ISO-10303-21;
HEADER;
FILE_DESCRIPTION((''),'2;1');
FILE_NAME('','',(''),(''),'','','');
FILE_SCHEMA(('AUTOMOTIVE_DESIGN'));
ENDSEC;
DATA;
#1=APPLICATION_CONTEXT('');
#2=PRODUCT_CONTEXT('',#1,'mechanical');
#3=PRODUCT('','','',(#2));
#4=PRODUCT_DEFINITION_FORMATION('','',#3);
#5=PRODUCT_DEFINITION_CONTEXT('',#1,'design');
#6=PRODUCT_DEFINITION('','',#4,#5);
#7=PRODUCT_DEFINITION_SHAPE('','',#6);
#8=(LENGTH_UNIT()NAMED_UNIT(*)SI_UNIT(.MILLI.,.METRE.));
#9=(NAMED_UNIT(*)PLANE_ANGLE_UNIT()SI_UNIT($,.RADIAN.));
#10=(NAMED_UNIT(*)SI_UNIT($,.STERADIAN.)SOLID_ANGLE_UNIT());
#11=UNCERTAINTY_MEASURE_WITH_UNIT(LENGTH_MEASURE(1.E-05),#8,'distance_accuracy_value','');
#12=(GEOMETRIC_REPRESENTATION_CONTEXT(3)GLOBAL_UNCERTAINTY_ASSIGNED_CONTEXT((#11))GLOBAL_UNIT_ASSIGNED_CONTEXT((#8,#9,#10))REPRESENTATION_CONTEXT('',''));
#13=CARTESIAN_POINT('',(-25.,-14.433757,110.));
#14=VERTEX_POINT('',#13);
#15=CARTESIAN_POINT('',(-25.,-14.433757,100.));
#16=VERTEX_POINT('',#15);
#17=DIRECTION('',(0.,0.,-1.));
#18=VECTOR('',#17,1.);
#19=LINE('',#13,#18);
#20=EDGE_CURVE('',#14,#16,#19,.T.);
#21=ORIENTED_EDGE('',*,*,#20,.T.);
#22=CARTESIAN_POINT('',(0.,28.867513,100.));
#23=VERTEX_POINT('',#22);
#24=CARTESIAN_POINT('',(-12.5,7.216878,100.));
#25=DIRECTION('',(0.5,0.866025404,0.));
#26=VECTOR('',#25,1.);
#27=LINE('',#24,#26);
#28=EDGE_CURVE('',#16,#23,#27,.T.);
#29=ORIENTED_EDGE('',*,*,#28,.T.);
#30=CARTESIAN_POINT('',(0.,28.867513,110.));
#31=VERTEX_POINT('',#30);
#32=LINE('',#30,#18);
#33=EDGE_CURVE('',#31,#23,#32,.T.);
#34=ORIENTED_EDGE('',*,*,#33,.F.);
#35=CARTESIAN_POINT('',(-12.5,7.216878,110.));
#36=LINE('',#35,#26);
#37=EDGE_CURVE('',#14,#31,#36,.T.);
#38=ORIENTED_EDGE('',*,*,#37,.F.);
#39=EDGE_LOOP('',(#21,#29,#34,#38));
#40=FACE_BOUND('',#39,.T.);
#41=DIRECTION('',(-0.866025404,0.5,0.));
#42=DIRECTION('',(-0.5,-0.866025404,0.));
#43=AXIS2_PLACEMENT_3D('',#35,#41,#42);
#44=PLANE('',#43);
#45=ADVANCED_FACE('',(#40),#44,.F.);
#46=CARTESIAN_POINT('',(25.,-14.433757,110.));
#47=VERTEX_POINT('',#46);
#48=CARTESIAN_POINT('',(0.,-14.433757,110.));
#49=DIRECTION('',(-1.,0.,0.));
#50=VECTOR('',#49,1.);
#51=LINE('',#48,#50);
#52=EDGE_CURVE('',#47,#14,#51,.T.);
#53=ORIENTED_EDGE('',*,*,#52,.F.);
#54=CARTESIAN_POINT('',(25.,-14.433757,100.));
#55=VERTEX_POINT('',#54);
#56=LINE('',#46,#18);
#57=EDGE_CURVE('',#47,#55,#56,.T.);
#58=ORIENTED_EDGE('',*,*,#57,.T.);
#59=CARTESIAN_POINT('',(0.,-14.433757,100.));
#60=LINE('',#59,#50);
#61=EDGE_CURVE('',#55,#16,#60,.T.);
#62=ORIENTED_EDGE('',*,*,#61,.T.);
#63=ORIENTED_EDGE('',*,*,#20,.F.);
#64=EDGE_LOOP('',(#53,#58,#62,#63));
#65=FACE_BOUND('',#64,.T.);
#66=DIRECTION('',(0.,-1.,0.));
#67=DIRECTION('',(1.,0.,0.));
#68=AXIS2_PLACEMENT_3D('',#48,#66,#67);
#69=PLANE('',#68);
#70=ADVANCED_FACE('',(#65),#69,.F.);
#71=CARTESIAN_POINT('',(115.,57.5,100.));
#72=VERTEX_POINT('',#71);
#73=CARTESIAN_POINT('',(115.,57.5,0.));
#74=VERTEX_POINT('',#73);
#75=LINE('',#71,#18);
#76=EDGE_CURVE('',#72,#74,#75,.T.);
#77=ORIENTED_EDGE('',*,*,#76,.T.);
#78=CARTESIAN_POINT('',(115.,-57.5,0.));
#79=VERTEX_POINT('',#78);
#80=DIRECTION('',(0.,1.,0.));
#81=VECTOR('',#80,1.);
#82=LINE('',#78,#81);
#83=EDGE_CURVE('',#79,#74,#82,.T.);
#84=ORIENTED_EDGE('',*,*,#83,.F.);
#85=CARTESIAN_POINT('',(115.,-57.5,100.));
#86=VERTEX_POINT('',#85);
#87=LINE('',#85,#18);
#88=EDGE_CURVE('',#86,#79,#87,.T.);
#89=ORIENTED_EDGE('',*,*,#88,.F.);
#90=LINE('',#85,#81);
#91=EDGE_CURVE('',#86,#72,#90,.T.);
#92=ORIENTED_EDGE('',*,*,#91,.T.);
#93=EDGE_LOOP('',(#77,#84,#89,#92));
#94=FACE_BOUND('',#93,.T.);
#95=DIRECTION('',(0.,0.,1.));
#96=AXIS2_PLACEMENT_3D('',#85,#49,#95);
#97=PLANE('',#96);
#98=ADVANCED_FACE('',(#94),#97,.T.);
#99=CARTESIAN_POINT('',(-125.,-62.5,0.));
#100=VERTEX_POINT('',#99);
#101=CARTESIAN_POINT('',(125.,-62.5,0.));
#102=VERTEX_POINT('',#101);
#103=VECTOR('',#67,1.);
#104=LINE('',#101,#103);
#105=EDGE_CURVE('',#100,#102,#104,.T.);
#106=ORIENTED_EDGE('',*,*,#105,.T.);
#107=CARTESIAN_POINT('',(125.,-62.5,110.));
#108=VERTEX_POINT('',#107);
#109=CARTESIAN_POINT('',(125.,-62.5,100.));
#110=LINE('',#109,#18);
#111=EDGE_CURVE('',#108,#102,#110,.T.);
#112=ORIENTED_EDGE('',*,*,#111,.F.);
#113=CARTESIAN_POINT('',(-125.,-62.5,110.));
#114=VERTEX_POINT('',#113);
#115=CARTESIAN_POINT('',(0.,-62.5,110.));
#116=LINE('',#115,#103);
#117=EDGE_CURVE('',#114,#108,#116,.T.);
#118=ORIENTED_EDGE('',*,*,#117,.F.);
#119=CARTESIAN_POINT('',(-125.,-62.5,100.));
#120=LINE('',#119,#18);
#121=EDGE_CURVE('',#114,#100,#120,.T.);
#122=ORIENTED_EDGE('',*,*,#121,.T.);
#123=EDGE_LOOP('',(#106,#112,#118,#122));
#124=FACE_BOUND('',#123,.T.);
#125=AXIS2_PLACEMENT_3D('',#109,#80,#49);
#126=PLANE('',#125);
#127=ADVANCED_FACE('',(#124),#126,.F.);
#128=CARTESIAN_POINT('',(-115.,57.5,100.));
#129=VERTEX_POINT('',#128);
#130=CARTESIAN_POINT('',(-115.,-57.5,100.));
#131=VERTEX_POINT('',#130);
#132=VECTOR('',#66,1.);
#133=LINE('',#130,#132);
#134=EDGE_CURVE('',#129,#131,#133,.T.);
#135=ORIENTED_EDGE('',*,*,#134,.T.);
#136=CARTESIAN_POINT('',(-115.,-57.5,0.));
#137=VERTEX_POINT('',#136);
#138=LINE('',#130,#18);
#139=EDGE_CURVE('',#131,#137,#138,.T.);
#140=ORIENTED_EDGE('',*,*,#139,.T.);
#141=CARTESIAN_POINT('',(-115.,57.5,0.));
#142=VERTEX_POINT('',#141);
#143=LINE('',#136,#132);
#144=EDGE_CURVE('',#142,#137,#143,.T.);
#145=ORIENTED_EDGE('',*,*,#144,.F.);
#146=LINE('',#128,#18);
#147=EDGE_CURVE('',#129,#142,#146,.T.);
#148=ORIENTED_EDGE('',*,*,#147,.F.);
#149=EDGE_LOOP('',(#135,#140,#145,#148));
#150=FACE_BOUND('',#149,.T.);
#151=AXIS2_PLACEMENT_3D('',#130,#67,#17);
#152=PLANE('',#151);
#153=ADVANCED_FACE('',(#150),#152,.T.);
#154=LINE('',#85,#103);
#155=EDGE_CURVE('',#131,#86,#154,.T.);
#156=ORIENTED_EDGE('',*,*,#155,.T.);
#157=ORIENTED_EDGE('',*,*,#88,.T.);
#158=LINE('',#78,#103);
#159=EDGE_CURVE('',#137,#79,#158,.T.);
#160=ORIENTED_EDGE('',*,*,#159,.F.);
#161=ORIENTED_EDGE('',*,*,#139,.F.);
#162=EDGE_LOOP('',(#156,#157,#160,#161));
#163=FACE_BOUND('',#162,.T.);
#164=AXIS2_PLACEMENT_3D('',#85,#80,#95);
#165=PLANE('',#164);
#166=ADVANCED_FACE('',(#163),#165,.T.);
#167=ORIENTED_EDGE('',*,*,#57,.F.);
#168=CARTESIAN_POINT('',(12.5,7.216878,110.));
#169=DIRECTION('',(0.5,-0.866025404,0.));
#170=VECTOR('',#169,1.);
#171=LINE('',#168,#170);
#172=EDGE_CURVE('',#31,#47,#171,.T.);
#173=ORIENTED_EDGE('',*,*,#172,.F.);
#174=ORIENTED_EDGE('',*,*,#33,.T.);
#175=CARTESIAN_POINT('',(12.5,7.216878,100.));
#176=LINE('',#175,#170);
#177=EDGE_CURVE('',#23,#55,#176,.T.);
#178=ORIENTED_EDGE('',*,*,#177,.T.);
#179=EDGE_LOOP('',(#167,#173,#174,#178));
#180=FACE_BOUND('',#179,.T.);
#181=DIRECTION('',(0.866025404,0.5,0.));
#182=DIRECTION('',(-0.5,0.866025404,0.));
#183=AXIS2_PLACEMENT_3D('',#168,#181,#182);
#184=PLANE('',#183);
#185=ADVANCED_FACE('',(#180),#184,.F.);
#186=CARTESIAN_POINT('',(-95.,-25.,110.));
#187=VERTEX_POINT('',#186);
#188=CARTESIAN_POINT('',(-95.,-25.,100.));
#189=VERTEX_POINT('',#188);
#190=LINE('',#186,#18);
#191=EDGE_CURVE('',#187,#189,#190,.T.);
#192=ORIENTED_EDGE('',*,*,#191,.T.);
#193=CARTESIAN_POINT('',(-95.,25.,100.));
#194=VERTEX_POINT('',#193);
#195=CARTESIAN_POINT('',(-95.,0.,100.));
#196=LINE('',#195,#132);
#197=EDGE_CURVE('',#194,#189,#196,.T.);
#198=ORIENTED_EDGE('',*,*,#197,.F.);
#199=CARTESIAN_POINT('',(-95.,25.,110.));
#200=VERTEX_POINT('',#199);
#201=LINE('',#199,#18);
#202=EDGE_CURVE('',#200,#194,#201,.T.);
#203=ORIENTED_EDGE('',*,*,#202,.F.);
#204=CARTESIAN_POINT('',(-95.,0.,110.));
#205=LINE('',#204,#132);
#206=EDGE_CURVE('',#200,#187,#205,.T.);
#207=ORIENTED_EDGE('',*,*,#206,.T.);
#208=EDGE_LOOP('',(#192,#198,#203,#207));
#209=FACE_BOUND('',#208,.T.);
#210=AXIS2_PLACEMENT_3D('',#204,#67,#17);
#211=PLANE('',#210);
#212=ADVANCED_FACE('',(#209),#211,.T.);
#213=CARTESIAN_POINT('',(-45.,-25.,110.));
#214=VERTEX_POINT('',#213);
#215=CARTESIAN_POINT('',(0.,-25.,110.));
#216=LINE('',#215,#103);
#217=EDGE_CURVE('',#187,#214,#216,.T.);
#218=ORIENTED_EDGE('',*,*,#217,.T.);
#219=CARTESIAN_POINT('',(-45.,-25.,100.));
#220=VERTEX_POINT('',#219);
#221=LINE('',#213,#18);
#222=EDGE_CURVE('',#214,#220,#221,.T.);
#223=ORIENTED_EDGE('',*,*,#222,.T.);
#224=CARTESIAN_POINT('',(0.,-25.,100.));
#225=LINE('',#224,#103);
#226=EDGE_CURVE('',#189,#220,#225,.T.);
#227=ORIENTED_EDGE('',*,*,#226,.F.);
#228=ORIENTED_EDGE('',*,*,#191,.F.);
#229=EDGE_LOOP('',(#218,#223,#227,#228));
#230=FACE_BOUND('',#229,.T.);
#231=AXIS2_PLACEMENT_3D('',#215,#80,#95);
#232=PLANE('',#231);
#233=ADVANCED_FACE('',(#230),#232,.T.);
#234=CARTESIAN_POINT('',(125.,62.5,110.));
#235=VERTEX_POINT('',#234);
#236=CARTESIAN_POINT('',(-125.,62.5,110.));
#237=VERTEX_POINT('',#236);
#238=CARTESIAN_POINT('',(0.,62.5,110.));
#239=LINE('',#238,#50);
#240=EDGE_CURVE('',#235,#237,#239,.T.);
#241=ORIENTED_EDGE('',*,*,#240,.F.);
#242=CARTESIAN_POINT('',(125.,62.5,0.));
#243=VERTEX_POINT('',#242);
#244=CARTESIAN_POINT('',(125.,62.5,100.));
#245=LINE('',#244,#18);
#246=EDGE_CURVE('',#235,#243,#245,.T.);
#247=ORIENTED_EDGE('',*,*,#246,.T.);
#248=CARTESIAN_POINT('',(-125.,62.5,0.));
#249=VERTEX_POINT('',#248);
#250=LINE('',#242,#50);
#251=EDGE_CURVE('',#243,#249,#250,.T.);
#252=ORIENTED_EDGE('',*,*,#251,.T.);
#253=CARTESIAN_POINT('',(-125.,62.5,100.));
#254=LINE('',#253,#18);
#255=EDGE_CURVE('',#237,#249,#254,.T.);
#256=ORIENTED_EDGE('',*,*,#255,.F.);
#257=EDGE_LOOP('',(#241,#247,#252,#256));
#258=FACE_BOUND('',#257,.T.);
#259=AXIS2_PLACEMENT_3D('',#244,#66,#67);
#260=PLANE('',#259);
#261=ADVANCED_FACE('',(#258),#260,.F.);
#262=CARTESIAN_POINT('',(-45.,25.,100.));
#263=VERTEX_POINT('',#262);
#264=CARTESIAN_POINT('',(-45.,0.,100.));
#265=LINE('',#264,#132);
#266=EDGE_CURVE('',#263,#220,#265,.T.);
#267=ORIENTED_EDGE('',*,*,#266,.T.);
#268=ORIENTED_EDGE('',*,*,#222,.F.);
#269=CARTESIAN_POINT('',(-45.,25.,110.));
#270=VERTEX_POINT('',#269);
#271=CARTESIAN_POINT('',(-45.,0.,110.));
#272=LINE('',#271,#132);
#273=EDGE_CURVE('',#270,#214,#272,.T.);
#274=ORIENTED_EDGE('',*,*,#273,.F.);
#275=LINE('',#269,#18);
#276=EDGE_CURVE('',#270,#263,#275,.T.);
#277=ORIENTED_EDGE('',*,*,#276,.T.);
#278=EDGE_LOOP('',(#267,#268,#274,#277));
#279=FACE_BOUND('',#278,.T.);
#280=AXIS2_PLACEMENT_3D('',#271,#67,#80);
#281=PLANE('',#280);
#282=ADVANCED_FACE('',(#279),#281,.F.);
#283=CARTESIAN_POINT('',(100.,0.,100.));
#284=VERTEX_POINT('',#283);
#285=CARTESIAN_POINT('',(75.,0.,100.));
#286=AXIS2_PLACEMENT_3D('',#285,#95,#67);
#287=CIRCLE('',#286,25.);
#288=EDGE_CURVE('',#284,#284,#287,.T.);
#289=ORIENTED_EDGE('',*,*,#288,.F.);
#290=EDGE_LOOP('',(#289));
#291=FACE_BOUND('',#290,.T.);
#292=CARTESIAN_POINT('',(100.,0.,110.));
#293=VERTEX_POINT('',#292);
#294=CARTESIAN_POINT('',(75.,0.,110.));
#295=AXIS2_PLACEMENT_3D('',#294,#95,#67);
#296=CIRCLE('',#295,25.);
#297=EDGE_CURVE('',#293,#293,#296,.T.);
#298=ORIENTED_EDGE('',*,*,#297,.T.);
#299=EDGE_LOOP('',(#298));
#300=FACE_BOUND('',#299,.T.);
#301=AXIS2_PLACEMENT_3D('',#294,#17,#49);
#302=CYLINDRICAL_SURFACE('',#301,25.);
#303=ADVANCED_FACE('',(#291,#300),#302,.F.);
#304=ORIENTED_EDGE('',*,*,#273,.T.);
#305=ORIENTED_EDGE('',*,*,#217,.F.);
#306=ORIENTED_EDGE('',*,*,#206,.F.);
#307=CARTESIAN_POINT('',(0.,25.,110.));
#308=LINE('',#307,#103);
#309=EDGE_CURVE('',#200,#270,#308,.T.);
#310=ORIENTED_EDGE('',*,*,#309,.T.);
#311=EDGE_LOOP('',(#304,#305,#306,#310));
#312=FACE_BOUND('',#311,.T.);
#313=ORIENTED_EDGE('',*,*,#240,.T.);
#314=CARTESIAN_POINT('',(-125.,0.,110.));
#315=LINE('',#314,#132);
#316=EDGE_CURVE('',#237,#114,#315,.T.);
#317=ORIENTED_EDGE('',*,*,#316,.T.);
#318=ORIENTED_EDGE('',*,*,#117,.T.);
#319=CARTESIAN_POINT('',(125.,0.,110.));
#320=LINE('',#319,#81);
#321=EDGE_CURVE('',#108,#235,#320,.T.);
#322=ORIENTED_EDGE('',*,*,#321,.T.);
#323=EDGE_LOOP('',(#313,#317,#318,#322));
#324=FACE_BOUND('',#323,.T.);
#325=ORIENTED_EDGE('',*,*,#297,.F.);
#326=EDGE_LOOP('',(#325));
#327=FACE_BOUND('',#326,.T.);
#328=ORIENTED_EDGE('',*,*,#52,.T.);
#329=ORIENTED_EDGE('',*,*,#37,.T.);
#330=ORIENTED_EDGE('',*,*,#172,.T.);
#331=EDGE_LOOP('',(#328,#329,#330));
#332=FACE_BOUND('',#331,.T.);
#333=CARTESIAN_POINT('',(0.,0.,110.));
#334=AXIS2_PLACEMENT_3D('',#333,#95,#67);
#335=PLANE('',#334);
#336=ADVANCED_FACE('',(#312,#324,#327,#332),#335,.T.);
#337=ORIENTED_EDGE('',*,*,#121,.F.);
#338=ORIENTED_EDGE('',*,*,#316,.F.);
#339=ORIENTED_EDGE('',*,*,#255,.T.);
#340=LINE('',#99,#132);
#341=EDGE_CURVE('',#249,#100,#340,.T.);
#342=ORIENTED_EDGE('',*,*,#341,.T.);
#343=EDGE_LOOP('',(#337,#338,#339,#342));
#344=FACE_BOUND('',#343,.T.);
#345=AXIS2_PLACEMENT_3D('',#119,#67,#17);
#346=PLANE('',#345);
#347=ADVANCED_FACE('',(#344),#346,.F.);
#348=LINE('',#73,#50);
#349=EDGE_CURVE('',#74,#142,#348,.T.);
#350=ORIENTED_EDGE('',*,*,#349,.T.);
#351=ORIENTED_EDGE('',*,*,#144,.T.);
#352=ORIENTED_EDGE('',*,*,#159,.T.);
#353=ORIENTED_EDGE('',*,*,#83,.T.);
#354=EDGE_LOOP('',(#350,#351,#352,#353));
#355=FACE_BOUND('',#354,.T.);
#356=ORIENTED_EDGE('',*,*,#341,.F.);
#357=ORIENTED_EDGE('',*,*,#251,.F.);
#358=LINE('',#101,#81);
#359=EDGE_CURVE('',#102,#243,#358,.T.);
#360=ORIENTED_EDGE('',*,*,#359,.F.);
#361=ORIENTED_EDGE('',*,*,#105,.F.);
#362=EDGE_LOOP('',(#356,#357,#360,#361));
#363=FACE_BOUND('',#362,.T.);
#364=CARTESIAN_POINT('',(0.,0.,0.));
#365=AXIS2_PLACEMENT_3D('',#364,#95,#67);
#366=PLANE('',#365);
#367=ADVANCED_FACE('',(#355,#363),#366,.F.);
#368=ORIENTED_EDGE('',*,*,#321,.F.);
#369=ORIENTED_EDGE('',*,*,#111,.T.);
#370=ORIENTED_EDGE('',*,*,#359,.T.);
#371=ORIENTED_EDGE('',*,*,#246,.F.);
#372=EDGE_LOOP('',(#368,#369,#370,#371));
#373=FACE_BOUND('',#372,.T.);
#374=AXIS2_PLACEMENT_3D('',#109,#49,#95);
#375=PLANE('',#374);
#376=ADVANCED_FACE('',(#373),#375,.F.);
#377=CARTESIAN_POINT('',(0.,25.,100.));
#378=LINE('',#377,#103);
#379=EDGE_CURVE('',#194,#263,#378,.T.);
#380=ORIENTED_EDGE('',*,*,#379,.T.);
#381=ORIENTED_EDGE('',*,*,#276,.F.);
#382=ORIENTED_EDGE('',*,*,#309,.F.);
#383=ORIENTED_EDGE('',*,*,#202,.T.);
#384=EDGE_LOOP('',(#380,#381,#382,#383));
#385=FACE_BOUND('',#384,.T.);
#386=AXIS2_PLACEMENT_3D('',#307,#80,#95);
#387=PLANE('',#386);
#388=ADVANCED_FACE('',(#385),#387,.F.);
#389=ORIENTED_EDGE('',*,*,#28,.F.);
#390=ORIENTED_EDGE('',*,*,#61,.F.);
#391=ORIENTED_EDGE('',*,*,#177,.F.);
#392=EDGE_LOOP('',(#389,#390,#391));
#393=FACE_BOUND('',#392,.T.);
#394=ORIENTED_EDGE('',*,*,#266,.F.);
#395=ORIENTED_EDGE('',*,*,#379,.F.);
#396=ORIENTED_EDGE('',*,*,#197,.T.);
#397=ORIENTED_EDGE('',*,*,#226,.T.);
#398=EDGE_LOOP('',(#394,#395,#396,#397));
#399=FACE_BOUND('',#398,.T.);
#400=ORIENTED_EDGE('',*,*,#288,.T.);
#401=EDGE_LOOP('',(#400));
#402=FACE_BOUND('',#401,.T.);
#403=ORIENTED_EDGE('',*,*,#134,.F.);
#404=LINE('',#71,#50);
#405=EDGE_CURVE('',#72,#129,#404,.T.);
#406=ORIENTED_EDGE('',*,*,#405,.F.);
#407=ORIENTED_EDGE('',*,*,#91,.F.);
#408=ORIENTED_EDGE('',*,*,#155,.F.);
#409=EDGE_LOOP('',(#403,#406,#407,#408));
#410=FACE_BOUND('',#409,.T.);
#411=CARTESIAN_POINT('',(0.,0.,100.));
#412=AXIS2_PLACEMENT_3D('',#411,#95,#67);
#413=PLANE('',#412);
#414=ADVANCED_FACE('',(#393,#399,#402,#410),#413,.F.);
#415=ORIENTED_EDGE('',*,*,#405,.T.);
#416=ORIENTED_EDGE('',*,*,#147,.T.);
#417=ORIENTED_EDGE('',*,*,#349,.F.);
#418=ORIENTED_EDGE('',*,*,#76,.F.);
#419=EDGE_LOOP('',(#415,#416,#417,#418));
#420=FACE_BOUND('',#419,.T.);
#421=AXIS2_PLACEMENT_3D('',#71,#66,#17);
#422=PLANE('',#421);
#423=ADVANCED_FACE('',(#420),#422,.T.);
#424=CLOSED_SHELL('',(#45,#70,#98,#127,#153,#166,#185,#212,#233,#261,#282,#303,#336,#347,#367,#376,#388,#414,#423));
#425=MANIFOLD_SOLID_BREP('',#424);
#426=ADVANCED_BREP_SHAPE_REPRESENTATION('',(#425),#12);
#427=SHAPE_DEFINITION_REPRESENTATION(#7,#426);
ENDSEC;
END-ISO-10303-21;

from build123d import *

# Parameters (mm, degrees)
SKETCH1_W           = 250
SKETCH1_H           = 125
SKETCH1_W_2         = 230
SKETCH1_H_2         = 115
BOSS_EXTRUDE1_DEPTH = 100
SKETCH3_W           = 250
SKETCH3_H           = 125
SKETCH3_W_2         = 230
SKETCH3_H_2         = 115
SKETCH3_R           = 25
SKETCH3_W_3         = 50
SKETCH3_H_3         = 50
BOSS_EXTRUDE4_DEPTH = 10


with BuildPart() as part:
    # Sketch1 → Boss-Extrude1 (new body)
    with BuildSketch(Plane.XY):
        Rectangle(SKETCH1_W, SKETCH1_H)
        Rectangle(SKETCH1_W_2, SKETCH1_H_2, mode=Mode.SUBTRACT)
    extrude(amount=BOSS_EXTRUDE1_DEPTH)

    # Sketch3 → Boss-Extrude4 (add)
    # profile 1 of 2: a face of its own
    with BuildSketch(Plane.XY.offset(100)):
        Rectangle(SKETCH3_W, SKETCH3_H)
        Rectangle(SKETCH3_W_2, SKETCH3_H_2, mode=Mode.SUBTRACT)
    # profile 2 of 2: a face of its own
    with BuildSketch(Plane.XY.offset(100)):
        Rectangle(SKETCH3_W_2, SKETCH3_H_2)
        with Locations((75, 0)):
            Circle(SKETCH3_R, mode=Mode.SUBTRACT)
        with Locations((-70, 0)):
            Rectangle(SKETCH3_W_3, SKETCH3_H_3, mode=Mode.SUBTRACT)
        Polygon((0, 28.867513459), (25, -14.43375673), (-25, -14.43375673), align=None, mode=Mode.SUBTRACT)
    extrude(amount=BOSS_EXTRUDE4_DEPTH)


solid = part.part
